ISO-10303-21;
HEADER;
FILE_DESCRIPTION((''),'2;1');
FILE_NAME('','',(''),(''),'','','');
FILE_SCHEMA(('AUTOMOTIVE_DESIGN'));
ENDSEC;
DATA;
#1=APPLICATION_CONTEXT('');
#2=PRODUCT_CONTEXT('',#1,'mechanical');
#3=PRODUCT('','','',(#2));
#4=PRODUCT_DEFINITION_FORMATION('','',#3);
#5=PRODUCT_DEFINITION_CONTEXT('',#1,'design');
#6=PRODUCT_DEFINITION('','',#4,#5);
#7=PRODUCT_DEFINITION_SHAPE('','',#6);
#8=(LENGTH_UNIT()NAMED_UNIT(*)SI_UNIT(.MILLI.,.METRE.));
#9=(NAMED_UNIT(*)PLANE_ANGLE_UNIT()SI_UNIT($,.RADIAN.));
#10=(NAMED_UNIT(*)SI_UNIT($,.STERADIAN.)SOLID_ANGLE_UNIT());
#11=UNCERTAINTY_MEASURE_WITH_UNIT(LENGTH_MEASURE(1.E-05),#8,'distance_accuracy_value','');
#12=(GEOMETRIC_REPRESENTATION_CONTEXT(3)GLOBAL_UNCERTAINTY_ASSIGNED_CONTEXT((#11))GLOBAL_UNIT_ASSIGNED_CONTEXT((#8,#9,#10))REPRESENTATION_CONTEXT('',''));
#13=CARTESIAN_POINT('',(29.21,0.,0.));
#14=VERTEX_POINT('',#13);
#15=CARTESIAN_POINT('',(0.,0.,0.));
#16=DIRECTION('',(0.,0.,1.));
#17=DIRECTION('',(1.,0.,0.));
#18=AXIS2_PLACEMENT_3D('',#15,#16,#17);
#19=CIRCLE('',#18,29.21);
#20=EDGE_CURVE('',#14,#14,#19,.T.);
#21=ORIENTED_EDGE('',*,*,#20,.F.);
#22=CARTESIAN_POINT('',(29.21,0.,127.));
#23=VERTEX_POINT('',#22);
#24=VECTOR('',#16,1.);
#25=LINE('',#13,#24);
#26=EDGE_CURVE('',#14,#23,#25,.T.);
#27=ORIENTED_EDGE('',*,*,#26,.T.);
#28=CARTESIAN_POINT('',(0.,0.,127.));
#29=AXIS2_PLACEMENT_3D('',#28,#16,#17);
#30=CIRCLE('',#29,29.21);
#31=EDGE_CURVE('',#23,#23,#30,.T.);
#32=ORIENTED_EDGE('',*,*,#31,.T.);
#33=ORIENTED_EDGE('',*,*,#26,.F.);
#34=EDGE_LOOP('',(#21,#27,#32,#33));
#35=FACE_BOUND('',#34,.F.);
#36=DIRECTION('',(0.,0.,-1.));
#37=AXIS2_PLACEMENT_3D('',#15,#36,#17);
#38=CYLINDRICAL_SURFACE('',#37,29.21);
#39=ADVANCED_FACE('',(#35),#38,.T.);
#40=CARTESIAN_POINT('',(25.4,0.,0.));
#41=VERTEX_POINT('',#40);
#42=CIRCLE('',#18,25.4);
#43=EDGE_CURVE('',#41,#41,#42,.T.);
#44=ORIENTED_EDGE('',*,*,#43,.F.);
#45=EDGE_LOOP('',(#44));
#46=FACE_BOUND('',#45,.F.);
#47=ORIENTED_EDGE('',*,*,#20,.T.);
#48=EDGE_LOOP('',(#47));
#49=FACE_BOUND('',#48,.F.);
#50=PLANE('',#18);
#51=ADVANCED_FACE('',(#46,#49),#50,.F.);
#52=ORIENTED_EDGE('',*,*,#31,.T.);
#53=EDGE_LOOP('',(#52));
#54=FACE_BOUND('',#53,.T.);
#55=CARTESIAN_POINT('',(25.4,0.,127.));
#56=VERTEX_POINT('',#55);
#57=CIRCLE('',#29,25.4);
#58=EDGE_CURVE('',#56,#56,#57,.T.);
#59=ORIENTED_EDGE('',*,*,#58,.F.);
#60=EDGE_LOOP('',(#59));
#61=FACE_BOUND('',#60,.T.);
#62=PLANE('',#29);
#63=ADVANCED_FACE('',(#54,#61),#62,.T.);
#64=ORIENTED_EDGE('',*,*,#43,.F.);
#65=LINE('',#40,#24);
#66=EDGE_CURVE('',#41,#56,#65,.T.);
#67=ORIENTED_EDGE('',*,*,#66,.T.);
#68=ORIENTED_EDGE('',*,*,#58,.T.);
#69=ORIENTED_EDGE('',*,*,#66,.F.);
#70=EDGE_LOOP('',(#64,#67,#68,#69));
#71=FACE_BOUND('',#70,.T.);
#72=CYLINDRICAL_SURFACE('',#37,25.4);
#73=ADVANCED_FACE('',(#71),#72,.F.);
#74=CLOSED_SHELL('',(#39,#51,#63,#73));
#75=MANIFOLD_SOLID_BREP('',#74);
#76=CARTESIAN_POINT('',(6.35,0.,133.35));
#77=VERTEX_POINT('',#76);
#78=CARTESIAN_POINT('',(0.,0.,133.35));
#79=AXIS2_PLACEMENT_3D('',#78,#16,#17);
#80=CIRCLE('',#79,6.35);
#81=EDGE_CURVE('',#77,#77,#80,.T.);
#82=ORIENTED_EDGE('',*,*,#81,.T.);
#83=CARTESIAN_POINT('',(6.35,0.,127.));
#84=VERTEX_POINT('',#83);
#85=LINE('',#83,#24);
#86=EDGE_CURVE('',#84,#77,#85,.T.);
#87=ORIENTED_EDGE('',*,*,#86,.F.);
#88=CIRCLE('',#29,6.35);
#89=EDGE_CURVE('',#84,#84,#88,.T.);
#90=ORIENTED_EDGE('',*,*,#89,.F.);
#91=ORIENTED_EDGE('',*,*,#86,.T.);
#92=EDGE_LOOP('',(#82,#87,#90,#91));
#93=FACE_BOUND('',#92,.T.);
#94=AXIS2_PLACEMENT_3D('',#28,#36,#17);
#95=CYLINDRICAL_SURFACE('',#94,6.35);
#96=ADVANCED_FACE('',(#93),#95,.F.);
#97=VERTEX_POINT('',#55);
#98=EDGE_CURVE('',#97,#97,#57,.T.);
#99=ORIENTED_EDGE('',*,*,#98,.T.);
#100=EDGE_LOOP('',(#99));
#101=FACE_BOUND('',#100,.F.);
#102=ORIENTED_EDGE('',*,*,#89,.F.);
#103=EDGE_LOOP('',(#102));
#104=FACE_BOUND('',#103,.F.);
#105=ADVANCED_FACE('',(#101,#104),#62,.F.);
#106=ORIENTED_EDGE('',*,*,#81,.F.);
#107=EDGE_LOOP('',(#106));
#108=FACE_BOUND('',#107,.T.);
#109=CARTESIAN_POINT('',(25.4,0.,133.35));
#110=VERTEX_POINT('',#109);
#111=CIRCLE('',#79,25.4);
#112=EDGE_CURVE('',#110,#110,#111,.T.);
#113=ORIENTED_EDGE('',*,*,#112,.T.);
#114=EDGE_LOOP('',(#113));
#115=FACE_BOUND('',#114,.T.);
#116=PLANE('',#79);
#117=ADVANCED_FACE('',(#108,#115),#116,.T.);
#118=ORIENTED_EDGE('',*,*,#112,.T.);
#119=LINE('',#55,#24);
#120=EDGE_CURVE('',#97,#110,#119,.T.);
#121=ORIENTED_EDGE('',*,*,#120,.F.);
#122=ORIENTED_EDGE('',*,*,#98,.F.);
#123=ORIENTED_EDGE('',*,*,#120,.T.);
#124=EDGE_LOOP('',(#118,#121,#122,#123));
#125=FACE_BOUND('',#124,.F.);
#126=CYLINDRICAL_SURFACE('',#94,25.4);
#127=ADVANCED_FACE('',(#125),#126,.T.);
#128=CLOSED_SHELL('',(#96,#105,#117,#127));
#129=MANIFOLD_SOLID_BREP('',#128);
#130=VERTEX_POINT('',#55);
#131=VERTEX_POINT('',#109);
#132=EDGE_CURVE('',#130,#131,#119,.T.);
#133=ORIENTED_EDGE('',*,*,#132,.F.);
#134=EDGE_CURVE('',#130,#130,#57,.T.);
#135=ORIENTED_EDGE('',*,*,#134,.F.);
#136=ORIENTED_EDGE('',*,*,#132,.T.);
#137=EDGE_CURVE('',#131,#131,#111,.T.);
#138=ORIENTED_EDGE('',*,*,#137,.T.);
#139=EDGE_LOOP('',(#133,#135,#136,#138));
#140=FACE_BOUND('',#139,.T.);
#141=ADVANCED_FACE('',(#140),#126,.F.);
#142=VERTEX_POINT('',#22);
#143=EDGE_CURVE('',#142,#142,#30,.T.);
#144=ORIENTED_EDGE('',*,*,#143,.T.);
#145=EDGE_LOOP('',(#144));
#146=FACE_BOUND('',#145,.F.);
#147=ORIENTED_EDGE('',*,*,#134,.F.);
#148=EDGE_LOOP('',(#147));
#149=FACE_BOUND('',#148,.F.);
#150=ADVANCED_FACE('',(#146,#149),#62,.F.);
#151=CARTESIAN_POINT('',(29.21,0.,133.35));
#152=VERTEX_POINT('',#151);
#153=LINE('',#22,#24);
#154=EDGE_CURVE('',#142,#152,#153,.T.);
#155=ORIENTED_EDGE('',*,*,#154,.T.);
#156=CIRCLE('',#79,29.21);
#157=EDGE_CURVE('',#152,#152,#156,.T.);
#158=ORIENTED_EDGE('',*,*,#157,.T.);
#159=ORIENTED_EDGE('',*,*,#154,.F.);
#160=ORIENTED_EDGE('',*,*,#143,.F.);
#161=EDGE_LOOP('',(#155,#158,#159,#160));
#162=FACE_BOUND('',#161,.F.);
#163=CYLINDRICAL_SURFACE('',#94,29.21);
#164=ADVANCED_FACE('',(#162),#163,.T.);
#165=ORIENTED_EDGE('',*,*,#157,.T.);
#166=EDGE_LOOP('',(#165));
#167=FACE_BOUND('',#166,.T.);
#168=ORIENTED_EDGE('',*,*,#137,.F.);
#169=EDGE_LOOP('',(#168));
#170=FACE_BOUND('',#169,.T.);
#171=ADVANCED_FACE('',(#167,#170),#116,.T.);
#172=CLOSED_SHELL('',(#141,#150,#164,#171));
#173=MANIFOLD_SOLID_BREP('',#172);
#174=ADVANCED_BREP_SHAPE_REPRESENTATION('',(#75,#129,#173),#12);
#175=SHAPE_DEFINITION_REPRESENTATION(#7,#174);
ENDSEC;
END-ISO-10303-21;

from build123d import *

# Parameters (mm, degrees)
F0_R        = 29.21
F0_R_2      = 25.4
F1_DEPTH    = 127
F2_R        = 25.4
F2_R_2      = 6.35
F3_DEPTH    = 6.35
F1_FACE_R   = 29.21
F1_FACE_R_2 = 25.4
F4_DEPTH    = 6.35


with BuildPart() as f1:
    # F0 (on Top) → F1 (new body)
    with BuildSketch(Plane.XY):
        Circle(F0_R)
        Circle(F0_R_2, mode=Mode.SUBTRACT)
    extrude(amount=F1_DEPTH)


with BuildPart() as f3:
    # F2 (on face) → F3 (new body)
    with BuildSketch(Plane.XY.offset(127)):
        Circle(F2_R)
        Circle(F2_R_2, mode=Mode.SUBTRACT)
    extrude(amount=F3_DEPTH)


with BuildPart() as f4:
    # F1_face (on face) → F4 (new body)
    with BuildSketch(Plane.XY.offset(127)):
        Circle(F1_FACE_R)
        Circle(F1_FACE_R_2, mode=Mode.SUBTRACT)
    extrude(amount=F4_DEPTH)


solid = Compound([f1.part, f3.part, f4.part])
